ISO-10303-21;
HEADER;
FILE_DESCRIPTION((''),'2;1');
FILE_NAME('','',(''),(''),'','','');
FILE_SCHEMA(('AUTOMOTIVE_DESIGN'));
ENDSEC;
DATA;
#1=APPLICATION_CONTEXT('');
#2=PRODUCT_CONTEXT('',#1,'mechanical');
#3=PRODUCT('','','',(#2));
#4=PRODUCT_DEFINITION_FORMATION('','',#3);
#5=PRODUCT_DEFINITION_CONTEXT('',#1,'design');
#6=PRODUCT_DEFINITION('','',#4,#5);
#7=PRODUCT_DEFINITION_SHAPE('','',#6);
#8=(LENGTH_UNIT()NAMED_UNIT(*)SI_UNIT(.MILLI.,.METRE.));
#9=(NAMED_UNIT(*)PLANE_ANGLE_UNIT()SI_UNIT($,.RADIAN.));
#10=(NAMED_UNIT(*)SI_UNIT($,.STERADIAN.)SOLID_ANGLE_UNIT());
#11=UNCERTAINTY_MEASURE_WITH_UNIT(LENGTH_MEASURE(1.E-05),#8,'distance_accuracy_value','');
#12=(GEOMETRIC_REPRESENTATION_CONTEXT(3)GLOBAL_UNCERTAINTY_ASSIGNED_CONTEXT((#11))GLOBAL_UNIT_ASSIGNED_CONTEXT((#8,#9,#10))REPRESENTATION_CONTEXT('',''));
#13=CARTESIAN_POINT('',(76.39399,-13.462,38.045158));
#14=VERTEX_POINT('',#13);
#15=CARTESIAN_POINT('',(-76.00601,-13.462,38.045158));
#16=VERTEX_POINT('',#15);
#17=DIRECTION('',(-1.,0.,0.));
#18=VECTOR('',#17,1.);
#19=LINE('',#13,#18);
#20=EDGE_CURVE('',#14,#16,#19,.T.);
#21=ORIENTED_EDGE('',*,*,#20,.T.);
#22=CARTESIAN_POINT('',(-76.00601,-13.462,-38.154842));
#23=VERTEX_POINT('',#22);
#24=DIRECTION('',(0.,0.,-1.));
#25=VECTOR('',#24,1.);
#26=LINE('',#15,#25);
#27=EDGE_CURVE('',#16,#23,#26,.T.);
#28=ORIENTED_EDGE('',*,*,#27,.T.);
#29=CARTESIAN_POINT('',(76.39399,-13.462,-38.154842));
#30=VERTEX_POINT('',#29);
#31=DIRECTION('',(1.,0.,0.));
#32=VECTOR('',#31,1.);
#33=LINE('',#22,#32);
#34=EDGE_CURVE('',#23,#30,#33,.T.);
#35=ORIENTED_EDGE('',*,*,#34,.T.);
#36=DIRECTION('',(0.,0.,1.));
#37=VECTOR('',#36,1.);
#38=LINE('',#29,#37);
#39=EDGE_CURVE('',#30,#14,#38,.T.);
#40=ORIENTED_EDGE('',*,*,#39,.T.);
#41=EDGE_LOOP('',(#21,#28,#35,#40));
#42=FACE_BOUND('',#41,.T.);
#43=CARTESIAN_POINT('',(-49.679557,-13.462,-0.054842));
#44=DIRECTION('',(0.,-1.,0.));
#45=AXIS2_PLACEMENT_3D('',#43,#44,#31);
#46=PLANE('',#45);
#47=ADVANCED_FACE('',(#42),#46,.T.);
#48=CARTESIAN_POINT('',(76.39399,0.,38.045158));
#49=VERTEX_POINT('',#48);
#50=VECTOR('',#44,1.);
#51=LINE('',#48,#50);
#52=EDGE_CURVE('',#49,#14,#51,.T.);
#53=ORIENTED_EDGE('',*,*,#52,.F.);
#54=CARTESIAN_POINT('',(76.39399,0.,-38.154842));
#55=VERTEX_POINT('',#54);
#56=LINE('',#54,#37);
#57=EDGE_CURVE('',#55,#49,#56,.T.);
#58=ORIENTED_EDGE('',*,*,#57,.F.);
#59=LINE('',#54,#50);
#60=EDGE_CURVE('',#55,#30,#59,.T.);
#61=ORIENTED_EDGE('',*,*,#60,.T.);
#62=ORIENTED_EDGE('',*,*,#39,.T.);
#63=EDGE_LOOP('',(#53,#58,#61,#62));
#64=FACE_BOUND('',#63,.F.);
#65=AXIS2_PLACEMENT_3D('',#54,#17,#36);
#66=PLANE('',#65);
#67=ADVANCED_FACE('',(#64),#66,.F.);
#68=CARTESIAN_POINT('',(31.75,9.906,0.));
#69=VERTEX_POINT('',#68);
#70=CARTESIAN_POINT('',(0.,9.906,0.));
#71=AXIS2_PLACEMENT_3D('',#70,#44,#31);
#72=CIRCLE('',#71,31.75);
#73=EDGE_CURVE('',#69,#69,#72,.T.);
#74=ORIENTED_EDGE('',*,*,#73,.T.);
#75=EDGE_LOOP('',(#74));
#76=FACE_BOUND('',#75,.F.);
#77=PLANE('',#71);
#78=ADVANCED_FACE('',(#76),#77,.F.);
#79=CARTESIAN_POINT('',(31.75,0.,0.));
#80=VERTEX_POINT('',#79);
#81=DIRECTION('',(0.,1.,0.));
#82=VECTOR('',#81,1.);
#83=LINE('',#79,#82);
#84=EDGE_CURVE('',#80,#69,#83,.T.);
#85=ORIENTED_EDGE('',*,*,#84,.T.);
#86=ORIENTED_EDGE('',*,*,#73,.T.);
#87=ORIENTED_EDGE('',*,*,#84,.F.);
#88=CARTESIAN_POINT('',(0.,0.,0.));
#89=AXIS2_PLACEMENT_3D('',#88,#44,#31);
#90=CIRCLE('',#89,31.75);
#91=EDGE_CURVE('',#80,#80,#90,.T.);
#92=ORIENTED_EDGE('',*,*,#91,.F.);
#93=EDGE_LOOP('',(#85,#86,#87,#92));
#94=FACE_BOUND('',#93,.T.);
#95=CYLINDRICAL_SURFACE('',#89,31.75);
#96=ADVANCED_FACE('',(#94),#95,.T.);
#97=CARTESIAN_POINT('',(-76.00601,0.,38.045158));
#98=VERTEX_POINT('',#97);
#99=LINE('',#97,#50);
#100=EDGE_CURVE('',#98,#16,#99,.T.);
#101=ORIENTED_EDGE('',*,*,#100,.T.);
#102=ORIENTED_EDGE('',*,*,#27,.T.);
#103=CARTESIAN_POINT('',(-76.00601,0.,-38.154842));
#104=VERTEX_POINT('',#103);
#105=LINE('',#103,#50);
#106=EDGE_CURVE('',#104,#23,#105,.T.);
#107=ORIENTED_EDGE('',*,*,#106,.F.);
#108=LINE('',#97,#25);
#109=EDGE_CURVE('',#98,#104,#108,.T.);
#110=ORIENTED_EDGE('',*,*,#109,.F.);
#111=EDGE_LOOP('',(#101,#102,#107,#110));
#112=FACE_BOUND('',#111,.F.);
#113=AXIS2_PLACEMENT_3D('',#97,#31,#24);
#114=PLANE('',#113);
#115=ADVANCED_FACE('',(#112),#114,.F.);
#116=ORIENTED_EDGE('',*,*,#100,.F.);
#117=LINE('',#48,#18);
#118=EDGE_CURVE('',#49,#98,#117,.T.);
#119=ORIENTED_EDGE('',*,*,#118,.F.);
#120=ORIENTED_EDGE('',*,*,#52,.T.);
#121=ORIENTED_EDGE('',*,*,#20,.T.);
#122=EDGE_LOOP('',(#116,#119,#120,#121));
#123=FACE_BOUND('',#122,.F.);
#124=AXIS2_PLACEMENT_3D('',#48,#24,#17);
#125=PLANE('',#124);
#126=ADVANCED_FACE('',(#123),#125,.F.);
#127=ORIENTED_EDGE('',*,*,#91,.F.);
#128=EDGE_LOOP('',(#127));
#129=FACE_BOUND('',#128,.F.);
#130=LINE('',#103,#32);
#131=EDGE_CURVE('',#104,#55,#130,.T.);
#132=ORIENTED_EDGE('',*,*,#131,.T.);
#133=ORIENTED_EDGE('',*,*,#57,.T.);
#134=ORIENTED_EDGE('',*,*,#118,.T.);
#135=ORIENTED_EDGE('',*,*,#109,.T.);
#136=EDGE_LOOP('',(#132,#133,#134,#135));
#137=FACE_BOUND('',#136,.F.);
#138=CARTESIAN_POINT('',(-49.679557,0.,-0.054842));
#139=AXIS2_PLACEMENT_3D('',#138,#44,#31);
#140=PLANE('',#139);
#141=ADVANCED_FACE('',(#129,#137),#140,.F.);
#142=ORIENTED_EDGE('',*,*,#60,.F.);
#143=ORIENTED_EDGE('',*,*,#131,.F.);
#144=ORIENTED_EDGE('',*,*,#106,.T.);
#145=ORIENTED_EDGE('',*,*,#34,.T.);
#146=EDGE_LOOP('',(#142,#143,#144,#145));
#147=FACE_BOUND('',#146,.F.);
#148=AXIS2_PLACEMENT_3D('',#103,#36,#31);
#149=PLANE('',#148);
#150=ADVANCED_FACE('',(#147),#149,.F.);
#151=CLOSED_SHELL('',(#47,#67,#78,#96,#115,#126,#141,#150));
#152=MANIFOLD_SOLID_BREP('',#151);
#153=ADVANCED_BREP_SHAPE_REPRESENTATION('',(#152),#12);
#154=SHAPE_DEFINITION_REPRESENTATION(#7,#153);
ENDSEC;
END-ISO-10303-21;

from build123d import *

# Parameters (mm, degrees)
F1_DEPTH = 13.462
F2_R     = 31.75
F3_DEPTH = 9.906


with BuildPart() as f1:
    # F0 (on Front) → F1 (new body)
    with BuildSketch(Plane.XZ):
        Polygon((0.19399, -0.054842), (-76.00601, 38.045158), (-76.00601, -38.154842), align=None)
        Polygon((76.39399, 38.045158), (-76.00601, 38.045158), (0.19399, -0.054842), align=None)
        Polygon((76.39399, -38.154842), (76.39399, 38.045158), (0.19399, -0.054842), align=None)
        Polygon((0.19399, -0.054842), (-76.00601, -38.154842), (76.39399, -38.154842), align=None)
    extrude(amount=F1_DEPTH)

    # F2 (on Front) → F3 (join)
    with BuildSketch(Plane.XZ):
        Circle(F2_R)
    extrude(amount=-F3_DEPTH)


solid = f1.part
